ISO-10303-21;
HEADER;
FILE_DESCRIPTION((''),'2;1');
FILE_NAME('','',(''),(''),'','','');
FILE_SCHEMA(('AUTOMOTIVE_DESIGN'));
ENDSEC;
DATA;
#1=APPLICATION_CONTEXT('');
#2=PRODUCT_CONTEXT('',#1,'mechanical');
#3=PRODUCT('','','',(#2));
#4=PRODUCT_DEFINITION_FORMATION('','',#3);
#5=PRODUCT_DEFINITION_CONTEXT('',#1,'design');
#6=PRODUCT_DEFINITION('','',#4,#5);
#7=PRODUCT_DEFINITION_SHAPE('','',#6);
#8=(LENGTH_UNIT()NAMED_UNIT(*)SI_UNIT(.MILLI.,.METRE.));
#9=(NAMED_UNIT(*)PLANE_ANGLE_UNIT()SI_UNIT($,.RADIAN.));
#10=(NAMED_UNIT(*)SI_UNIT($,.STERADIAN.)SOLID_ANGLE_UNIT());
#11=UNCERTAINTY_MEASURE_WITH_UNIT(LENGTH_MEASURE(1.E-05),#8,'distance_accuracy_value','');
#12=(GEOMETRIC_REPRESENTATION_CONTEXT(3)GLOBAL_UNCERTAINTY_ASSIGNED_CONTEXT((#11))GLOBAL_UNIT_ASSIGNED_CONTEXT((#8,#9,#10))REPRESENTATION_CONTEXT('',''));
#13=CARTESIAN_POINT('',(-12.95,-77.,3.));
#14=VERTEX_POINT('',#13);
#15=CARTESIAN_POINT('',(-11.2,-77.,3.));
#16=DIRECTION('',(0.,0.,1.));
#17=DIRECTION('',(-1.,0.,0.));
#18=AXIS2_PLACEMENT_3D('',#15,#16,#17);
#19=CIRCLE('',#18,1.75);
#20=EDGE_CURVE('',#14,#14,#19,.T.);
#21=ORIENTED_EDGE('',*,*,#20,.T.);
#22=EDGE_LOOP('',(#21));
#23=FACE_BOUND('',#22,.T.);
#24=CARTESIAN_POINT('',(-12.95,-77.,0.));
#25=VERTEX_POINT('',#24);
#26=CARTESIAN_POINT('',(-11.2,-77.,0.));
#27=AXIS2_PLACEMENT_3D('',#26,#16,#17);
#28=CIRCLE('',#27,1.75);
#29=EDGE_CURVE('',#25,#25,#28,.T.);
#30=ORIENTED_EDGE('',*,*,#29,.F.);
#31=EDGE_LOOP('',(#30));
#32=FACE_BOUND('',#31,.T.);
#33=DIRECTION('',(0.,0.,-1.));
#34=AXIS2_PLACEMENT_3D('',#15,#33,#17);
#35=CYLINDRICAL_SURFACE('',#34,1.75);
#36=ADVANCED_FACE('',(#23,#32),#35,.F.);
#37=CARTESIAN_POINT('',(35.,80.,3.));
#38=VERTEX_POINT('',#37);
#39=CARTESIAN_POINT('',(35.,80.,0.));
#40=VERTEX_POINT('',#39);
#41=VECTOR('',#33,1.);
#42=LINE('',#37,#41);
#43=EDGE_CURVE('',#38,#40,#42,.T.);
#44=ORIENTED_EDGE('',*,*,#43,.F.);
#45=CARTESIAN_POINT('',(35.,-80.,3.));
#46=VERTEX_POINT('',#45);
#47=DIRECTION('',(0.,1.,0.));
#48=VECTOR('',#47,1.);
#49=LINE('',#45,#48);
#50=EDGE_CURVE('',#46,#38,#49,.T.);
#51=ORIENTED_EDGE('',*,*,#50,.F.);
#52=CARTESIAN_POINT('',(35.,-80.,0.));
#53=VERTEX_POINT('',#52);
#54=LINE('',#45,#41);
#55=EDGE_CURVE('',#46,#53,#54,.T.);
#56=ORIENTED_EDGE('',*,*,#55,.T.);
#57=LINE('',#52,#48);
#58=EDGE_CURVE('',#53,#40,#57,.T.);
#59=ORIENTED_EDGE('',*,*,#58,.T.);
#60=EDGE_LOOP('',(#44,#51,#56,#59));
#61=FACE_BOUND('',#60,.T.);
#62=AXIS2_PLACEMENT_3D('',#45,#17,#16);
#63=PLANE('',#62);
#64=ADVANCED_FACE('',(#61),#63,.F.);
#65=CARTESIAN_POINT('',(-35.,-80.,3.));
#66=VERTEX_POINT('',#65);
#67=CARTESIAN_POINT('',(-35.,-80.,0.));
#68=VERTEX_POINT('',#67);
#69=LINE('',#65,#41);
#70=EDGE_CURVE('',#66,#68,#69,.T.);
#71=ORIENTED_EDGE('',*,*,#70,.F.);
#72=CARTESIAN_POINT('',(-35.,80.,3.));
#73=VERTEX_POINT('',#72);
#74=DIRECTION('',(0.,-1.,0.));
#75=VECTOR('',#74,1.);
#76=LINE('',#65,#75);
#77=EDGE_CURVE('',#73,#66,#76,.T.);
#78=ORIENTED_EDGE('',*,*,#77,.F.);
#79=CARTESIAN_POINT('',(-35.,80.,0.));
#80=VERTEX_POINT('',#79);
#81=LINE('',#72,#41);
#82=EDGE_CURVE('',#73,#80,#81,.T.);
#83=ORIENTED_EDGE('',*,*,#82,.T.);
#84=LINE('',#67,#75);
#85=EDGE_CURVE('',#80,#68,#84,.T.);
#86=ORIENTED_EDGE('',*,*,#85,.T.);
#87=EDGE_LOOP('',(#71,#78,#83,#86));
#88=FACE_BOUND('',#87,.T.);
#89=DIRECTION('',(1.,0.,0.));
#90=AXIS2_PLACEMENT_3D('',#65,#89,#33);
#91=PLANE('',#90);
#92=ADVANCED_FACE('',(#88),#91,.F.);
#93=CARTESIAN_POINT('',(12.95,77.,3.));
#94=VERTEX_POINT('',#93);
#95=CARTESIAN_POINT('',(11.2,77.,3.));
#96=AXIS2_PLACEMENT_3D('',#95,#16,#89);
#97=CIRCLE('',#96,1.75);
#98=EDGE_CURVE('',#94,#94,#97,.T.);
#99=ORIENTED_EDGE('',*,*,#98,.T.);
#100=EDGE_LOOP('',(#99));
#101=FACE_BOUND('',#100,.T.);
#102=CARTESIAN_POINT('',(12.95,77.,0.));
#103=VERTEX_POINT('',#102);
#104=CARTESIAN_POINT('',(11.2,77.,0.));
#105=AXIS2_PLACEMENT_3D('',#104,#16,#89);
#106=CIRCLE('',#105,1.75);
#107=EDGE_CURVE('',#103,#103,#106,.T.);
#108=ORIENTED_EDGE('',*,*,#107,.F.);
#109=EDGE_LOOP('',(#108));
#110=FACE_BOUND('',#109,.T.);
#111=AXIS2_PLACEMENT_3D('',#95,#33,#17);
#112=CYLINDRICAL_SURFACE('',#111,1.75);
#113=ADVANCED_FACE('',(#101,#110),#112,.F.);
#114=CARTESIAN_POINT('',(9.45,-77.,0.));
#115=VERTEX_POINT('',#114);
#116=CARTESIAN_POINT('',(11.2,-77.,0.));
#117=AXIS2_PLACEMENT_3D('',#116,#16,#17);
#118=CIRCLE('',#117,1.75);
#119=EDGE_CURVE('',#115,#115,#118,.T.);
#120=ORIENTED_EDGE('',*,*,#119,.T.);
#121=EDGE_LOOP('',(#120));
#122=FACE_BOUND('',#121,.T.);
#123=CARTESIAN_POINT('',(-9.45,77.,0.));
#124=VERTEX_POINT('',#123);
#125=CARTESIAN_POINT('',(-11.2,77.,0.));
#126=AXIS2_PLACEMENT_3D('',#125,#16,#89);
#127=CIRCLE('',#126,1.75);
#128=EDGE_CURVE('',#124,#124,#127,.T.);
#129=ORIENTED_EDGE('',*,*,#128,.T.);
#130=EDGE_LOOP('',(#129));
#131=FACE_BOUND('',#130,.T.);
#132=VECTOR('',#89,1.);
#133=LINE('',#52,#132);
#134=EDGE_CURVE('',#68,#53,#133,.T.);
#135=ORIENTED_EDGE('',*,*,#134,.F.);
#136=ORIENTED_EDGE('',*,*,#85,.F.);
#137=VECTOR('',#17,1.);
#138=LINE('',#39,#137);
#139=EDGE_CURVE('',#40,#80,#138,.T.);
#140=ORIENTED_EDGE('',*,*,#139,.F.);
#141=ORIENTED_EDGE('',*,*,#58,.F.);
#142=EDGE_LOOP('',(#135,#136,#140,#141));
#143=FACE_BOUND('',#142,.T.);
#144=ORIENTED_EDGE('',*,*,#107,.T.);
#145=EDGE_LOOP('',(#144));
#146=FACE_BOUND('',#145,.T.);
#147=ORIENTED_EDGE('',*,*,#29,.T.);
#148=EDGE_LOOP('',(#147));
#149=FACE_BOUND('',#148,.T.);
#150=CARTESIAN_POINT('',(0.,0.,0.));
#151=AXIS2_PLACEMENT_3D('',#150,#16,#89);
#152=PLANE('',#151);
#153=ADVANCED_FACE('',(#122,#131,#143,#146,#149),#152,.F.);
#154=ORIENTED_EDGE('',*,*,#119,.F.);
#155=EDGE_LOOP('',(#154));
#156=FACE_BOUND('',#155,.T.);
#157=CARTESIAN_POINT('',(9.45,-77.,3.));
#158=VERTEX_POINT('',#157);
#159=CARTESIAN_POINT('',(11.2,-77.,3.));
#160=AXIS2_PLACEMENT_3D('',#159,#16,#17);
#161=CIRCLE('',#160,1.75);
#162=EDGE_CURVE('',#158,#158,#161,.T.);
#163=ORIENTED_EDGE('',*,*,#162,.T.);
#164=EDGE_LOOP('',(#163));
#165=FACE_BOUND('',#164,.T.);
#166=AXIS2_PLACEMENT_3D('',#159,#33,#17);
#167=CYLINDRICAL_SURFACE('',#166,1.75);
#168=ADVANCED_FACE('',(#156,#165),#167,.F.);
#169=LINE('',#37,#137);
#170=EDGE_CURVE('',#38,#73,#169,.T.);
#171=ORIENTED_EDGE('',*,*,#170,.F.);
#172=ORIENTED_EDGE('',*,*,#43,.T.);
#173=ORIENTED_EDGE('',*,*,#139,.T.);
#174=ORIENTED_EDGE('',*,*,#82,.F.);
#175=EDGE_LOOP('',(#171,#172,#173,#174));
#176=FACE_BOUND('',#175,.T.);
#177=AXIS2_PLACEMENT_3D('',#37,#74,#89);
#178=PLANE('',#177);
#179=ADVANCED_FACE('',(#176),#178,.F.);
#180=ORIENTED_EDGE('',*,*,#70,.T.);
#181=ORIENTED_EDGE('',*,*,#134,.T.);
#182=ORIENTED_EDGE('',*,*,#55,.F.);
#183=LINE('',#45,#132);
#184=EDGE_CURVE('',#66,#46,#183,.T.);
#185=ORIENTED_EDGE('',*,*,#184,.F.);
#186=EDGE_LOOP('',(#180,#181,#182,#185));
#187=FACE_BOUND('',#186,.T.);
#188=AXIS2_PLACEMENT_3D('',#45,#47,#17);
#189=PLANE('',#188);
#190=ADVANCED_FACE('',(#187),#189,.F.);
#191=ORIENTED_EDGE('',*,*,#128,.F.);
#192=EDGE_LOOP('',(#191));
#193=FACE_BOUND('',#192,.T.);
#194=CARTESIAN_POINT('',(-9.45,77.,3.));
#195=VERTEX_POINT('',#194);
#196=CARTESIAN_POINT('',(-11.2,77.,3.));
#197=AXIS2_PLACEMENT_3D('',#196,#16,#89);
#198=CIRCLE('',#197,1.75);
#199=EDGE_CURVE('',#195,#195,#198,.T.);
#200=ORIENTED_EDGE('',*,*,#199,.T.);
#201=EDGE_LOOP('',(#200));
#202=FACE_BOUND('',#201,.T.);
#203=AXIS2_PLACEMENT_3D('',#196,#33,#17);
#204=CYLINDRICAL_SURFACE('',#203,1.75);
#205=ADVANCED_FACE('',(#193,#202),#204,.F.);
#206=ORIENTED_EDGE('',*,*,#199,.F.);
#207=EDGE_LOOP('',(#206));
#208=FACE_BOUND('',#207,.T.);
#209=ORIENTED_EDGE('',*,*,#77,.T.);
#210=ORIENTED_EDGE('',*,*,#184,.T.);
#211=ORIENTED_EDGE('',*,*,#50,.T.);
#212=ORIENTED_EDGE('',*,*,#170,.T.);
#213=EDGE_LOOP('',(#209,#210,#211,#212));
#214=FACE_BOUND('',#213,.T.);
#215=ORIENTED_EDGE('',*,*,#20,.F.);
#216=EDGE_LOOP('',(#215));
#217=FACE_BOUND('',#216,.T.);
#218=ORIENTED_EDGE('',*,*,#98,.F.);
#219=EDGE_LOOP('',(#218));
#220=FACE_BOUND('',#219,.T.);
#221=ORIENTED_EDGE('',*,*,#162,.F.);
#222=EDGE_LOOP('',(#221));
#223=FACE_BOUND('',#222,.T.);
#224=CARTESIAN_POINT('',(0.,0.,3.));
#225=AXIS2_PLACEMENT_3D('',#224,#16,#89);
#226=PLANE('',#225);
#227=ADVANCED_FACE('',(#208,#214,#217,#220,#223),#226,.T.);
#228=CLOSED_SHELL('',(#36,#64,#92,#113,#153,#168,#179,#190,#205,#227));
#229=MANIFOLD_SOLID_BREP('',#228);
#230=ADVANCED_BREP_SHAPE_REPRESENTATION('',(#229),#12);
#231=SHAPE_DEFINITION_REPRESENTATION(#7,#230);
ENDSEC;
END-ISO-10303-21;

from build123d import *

# Parameters (mm, degrees)
SKETCH_1_W      = 70
SKETCH_1_H      = 160
SKETCH_1_R      = 1.75
EXTRUDE_2_DEPTH = 3


with BuildPart() as part:
    # 스케치1 → 보스-돌출2 (new body)
    with BuildSketch(Plane.XY):
        Rectangle(SKETCH_1_W, SKETCH_1_H)
        with Locations((-11.2, 77)):
            Circle(SKETCH_1_R, mode=Mode.SUBTRACT)
        with Locations((11.2, 77)):
            Circle(SKETCH_1_R, mode=Mode.SUBTRACT)
        with Locations(Location((11.2, -77, 0), (0, 0, 180))):
            Circle(SKETCH_1_R, mode=Mode.SUBTRACT)
        with Locations(Location((-11.2, -77, 0), (0, 0, 180))):
            Circle(SKETCH_1_R, mode=Mode.SUBTRACT)
    extrude(amount=EXTRUDE_2_DEPTH)


solid = part.part
